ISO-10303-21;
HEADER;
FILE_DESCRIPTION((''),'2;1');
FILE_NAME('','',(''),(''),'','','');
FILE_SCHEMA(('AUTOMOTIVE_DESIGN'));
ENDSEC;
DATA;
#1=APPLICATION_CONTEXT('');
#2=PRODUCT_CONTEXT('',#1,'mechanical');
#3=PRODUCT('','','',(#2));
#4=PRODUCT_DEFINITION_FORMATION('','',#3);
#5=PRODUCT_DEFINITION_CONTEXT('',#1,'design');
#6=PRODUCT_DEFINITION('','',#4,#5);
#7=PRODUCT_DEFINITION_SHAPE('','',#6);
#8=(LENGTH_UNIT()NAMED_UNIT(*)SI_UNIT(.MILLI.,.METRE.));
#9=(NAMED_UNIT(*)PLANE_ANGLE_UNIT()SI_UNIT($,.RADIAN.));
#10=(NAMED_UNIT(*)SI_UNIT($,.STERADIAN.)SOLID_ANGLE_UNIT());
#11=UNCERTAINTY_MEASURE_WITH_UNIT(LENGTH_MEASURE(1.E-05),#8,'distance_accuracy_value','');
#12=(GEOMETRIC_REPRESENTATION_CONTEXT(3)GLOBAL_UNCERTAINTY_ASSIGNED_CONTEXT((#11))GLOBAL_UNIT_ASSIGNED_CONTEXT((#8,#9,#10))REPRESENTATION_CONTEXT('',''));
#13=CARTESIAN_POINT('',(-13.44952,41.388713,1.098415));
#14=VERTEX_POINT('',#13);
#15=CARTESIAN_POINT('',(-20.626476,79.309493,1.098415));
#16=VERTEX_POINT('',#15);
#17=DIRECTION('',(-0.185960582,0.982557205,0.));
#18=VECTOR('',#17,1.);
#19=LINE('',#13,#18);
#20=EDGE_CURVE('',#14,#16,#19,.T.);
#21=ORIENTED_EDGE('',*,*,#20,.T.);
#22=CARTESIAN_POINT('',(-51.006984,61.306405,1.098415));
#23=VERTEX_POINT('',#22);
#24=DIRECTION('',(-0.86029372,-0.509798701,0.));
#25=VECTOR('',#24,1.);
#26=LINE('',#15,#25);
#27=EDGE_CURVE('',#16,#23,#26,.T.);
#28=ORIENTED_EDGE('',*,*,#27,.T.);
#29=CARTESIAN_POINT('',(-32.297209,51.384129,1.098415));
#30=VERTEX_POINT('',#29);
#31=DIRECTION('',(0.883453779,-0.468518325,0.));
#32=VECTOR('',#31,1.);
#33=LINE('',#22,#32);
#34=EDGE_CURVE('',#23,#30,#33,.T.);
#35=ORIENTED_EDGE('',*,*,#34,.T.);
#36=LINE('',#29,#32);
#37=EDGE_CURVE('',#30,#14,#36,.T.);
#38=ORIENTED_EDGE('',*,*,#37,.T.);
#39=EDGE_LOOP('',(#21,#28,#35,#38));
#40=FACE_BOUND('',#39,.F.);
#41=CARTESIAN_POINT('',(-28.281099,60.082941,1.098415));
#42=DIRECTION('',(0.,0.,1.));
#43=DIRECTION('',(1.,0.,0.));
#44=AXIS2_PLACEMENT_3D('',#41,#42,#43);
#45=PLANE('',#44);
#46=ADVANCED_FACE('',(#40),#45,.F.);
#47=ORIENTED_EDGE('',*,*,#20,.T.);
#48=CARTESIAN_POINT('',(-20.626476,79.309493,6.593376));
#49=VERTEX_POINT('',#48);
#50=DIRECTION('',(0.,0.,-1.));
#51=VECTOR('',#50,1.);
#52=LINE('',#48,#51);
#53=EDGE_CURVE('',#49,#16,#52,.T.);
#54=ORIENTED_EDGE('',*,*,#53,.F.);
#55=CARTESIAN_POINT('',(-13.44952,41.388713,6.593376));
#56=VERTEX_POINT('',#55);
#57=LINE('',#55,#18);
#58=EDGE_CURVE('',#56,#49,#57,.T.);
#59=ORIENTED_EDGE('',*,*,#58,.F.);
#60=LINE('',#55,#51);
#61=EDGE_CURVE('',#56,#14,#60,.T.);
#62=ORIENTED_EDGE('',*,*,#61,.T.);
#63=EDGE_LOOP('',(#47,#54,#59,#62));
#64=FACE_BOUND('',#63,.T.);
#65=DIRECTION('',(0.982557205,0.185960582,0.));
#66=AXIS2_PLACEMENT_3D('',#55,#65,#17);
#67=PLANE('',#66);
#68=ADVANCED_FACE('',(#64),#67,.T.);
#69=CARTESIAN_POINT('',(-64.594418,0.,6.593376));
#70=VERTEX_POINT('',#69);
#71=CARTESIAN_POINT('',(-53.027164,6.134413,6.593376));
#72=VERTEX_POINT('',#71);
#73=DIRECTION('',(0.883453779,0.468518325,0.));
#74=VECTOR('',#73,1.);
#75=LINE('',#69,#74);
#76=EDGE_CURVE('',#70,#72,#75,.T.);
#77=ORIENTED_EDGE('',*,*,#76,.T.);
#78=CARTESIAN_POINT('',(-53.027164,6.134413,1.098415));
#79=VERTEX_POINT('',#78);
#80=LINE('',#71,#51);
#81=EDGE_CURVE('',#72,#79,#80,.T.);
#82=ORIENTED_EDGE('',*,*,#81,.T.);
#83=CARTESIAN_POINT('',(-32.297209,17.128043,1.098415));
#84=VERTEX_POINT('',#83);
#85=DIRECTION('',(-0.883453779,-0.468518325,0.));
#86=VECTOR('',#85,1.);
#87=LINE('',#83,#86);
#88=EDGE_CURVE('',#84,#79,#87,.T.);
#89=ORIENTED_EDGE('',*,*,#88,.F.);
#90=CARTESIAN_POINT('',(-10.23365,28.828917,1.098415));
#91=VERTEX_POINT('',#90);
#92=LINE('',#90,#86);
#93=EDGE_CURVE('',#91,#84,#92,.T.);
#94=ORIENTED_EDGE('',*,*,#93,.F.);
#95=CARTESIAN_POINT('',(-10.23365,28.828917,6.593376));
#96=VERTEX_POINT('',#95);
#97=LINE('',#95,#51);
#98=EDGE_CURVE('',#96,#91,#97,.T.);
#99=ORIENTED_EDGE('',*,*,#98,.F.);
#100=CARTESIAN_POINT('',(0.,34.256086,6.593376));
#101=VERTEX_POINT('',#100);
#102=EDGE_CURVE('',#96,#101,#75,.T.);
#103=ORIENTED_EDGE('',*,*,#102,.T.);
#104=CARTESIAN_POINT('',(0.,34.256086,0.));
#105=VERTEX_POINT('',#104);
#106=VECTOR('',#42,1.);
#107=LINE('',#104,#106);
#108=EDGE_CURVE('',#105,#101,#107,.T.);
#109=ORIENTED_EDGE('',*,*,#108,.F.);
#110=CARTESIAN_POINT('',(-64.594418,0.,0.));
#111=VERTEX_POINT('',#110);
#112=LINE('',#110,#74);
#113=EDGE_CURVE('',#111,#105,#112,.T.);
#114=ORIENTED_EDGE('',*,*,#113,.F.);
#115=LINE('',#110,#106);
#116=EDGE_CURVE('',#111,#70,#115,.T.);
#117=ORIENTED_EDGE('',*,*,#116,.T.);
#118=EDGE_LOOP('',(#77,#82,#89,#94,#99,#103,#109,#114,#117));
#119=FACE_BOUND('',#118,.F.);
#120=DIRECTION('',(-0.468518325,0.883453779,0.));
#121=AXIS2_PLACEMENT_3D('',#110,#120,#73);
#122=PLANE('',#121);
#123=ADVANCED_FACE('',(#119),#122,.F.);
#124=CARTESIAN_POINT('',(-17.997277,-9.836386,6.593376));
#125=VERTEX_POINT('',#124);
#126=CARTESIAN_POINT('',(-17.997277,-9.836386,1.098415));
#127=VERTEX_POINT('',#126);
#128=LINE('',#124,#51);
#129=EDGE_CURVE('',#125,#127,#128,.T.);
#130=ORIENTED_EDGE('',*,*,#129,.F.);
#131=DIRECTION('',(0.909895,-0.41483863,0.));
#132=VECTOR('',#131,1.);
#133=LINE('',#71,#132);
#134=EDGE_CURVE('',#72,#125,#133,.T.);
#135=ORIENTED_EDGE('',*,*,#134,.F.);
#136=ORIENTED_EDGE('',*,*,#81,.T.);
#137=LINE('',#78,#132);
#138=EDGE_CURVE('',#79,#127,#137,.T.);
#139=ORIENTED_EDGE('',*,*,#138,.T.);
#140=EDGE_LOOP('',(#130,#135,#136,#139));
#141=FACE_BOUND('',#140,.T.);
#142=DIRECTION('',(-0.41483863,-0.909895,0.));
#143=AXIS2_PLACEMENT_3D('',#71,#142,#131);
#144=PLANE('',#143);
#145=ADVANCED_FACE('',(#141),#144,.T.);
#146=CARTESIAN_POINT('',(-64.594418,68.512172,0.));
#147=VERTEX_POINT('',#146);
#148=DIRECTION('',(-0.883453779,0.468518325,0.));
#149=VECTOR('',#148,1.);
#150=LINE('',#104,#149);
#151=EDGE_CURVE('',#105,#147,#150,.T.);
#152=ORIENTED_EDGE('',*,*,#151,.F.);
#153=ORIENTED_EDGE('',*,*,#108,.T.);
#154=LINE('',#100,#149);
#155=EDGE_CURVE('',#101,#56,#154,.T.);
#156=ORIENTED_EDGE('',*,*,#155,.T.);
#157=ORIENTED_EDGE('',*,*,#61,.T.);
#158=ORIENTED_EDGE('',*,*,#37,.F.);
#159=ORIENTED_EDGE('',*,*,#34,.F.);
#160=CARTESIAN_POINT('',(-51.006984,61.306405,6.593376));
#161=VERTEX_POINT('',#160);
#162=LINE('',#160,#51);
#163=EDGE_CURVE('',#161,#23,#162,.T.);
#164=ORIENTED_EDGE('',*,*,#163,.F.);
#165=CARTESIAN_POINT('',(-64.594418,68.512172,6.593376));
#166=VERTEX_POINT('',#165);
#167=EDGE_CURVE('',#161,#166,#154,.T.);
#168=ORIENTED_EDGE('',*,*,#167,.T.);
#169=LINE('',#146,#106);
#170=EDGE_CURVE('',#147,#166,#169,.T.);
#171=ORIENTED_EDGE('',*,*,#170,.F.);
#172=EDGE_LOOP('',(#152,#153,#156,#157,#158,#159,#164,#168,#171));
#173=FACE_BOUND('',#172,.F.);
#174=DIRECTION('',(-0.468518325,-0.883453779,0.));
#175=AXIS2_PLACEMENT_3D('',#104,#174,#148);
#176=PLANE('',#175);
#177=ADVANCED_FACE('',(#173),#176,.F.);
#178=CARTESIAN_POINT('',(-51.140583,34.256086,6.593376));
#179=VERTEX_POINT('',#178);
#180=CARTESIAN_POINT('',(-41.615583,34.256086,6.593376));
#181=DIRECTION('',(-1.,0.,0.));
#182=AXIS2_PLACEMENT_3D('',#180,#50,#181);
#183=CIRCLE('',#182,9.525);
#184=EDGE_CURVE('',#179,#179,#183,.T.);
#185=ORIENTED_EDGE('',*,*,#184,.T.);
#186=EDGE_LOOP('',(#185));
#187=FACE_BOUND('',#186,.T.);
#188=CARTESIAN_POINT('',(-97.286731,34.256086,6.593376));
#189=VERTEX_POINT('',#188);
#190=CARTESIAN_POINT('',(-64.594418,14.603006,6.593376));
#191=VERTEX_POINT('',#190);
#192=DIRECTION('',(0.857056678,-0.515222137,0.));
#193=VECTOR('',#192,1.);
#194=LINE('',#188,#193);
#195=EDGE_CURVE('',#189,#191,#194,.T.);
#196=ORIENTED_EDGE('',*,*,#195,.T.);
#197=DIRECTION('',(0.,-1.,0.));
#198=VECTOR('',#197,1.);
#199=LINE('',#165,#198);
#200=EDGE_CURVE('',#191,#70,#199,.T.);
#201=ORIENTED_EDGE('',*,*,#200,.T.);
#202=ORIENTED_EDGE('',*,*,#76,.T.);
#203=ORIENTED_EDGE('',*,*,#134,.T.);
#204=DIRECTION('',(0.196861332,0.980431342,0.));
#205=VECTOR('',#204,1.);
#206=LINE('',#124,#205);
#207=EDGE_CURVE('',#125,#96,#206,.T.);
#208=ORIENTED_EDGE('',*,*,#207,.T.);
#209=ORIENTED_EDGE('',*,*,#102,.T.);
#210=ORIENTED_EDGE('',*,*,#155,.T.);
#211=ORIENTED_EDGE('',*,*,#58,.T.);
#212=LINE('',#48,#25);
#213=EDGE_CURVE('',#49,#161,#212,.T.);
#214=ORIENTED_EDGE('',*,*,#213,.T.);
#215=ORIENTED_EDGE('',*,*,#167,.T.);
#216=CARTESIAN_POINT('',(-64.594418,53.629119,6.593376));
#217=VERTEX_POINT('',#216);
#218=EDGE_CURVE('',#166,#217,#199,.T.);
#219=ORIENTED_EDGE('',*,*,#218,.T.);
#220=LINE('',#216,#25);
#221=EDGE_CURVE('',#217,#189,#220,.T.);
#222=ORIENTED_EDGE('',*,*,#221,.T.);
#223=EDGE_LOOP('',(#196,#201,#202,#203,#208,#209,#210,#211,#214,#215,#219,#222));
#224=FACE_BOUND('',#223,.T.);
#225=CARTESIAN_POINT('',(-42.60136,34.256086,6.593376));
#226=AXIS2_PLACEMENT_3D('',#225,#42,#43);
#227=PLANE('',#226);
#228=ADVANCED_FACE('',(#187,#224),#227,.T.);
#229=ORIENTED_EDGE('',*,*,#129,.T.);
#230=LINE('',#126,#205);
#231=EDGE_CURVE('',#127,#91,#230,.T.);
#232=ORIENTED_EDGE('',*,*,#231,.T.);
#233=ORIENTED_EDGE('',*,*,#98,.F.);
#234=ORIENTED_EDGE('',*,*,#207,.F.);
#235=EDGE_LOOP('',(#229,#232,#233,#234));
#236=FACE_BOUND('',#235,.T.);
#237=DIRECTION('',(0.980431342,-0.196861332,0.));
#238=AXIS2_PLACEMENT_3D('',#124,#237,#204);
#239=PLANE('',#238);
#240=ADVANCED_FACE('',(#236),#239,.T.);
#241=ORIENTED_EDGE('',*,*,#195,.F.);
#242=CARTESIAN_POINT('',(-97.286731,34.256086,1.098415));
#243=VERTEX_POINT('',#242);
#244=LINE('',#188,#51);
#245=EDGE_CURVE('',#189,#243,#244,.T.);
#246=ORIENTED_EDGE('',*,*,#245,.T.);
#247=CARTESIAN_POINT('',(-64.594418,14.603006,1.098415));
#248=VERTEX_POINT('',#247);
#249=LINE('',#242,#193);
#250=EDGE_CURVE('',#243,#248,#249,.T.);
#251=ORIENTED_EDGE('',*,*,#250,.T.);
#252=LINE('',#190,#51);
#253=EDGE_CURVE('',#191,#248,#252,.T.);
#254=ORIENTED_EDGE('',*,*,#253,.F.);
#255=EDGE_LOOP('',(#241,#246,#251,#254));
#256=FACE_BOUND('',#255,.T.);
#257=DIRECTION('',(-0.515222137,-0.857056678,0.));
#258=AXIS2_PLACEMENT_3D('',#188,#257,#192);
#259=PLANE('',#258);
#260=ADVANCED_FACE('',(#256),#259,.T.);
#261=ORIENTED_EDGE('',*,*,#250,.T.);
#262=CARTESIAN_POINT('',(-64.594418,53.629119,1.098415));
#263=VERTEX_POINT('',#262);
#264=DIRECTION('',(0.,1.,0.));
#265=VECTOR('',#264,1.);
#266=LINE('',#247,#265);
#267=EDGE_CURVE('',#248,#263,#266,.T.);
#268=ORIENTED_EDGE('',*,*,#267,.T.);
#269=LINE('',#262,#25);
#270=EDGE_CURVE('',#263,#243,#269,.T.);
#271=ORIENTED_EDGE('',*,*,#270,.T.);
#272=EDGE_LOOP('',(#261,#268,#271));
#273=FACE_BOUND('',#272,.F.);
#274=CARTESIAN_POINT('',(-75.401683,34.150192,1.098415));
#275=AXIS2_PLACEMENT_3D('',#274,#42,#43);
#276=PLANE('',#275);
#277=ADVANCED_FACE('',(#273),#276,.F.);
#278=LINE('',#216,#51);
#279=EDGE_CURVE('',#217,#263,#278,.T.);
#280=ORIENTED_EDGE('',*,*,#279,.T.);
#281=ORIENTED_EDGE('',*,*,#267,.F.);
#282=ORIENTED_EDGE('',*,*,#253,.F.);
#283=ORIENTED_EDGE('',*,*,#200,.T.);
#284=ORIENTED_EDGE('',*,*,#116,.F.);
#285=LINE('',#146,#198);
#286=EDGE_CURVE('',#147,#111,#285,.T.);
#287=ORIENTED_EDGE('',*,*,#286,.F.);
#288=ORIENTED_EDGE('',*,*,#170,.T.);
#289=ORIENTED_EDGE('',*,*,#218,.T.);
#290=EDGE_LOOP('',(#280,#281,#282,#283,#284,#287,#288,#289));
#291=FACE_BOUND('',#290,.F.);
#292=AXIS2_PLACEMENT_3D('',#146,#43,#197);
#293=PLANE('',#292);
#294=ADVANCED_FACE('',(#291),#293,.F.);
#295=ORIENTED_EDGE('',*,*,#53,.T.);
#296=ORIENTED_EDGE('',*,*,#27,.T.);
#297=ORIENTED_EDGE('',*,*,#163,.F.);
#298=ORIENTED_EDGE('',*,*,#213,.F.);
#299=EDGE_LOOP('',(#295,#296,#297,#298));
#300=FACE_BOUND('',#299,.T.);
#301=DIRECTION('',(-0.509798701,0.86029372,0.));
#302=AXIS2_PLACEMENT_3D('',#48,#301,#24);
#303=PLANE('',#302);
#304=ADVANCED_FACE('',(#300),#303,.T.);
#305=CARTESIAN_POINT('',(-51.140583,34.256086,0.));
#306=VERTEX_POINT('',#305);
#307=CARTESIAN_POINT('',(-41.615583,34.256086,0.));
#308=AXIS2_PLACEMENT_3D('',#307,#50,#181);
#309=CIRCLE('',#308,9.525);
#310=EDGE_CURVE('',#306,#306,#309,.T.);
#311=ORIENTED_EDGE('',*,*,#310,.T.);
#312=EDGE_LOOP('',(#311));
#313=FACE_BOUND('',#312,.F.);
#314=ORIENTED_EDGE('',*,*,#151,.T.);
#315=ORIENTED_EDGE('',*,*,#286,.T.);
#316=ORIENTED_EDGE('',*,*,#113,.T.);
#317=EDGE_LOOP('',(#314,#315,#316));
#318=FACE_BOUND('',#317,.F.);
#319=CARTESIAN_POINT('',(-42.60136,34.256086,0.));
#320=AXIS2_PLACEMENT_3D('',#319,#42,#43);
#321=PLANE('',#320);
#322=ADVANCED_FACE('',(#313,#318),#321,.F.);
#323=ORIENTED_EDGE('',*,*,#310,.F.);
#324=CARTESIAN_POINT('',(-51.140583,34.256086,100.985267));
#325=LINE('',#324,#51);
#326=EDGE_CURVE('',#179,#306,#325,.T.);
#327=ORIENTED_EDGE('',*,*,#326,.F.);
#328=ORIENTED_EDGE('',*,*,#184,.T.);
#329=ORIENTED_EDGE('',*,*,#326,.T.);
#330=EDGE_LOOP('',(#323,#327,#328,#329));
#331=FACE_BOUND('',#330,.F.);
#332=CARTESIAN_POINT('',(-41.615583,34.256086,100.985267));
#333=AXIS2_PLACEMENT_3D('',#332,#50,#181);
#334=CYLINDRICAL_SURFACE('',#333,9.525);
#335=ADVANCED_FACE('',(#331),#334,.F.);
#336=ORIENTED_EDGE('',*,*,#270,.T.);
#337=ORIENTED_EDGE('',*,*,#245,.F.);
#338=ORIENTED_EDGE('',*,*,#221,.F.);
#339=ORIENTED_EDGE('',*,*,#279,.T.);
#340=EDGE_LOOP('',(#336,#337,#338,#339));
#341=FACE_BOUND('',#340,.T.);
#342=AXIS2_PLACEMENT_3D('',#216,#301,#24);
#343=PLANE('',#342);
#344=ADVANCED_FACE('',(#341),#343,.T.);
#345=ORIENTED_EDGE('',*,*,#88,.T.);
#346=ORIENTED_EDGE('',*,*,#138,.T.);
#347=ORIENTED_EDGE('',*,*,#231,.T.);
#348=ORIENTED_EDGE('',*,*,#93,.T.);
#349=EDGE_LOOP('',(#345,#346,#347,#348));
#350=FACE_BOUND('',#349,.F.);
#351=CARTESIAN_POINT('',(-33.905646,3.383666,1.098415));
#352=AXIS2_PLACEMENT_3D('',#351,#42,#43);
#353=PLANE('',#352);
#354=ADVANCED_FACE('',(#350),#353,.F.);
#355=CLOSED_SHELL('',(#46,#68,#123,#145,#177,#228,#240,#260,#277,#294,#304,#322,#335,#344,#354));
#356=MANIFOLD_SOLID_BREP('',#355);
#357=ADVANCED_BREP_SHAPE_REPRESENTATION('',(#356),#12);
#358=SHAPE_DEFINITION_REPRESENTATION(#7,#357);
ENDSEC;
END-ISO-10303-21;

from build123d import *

# Parameters (mm, degrees)
F1_DEPTH = 6.5933763981
F3_D     = 19.05
F5_DEPTH = 5.4949615151


with BuildPart() as f1:
    # F0 (on Top) → F1 (new body)
    with BuildSketch(Plane.XY):
        Polygon((-64.5944178104, 68.5121715069), (-64.5944178104, 0), (0, 34.2560857534), align=None)
    extrude(amount=F1_DEPTH)

    # F3 (through all)
    with Locations(Plane.XY.offset(6.5933763981)):
        with Locations((-41.6155830026, 34.2560857534)):
            Hole(F3_D / 2)

    # F4 (on face) → F5 (join)
    with BuildSketch(Plane.XY.offset(6.5933763981)):
        Polygon((-97.2867310047, 34.2560857534), (-64.5944178104, 14.6030057222), (-64.5944178104, 34.2560857534), (-64.5944178104, 53.6291189492), align=None)
        Polygon((-32.2972089052, 17.1280428767), (-53.0271635681, 6.1344132618), (-17.9972769314, -9.8363857863), align=None)
        Polygon((-10.2336501417, 28.8289171419), (-32.2972089052, 17.1280428767), (-17.9972769314, -9.8363857863), align=None)
        Polygon((-20.6264760453, 79.3094929525), (-51.0069840933, 61.306404966), (-32.2972089052, 51.3841286302), (-13.4495195214, 41.3887128393), align=None)
    extrude(amount=-F5_DEPTH)


solid = f1.part
